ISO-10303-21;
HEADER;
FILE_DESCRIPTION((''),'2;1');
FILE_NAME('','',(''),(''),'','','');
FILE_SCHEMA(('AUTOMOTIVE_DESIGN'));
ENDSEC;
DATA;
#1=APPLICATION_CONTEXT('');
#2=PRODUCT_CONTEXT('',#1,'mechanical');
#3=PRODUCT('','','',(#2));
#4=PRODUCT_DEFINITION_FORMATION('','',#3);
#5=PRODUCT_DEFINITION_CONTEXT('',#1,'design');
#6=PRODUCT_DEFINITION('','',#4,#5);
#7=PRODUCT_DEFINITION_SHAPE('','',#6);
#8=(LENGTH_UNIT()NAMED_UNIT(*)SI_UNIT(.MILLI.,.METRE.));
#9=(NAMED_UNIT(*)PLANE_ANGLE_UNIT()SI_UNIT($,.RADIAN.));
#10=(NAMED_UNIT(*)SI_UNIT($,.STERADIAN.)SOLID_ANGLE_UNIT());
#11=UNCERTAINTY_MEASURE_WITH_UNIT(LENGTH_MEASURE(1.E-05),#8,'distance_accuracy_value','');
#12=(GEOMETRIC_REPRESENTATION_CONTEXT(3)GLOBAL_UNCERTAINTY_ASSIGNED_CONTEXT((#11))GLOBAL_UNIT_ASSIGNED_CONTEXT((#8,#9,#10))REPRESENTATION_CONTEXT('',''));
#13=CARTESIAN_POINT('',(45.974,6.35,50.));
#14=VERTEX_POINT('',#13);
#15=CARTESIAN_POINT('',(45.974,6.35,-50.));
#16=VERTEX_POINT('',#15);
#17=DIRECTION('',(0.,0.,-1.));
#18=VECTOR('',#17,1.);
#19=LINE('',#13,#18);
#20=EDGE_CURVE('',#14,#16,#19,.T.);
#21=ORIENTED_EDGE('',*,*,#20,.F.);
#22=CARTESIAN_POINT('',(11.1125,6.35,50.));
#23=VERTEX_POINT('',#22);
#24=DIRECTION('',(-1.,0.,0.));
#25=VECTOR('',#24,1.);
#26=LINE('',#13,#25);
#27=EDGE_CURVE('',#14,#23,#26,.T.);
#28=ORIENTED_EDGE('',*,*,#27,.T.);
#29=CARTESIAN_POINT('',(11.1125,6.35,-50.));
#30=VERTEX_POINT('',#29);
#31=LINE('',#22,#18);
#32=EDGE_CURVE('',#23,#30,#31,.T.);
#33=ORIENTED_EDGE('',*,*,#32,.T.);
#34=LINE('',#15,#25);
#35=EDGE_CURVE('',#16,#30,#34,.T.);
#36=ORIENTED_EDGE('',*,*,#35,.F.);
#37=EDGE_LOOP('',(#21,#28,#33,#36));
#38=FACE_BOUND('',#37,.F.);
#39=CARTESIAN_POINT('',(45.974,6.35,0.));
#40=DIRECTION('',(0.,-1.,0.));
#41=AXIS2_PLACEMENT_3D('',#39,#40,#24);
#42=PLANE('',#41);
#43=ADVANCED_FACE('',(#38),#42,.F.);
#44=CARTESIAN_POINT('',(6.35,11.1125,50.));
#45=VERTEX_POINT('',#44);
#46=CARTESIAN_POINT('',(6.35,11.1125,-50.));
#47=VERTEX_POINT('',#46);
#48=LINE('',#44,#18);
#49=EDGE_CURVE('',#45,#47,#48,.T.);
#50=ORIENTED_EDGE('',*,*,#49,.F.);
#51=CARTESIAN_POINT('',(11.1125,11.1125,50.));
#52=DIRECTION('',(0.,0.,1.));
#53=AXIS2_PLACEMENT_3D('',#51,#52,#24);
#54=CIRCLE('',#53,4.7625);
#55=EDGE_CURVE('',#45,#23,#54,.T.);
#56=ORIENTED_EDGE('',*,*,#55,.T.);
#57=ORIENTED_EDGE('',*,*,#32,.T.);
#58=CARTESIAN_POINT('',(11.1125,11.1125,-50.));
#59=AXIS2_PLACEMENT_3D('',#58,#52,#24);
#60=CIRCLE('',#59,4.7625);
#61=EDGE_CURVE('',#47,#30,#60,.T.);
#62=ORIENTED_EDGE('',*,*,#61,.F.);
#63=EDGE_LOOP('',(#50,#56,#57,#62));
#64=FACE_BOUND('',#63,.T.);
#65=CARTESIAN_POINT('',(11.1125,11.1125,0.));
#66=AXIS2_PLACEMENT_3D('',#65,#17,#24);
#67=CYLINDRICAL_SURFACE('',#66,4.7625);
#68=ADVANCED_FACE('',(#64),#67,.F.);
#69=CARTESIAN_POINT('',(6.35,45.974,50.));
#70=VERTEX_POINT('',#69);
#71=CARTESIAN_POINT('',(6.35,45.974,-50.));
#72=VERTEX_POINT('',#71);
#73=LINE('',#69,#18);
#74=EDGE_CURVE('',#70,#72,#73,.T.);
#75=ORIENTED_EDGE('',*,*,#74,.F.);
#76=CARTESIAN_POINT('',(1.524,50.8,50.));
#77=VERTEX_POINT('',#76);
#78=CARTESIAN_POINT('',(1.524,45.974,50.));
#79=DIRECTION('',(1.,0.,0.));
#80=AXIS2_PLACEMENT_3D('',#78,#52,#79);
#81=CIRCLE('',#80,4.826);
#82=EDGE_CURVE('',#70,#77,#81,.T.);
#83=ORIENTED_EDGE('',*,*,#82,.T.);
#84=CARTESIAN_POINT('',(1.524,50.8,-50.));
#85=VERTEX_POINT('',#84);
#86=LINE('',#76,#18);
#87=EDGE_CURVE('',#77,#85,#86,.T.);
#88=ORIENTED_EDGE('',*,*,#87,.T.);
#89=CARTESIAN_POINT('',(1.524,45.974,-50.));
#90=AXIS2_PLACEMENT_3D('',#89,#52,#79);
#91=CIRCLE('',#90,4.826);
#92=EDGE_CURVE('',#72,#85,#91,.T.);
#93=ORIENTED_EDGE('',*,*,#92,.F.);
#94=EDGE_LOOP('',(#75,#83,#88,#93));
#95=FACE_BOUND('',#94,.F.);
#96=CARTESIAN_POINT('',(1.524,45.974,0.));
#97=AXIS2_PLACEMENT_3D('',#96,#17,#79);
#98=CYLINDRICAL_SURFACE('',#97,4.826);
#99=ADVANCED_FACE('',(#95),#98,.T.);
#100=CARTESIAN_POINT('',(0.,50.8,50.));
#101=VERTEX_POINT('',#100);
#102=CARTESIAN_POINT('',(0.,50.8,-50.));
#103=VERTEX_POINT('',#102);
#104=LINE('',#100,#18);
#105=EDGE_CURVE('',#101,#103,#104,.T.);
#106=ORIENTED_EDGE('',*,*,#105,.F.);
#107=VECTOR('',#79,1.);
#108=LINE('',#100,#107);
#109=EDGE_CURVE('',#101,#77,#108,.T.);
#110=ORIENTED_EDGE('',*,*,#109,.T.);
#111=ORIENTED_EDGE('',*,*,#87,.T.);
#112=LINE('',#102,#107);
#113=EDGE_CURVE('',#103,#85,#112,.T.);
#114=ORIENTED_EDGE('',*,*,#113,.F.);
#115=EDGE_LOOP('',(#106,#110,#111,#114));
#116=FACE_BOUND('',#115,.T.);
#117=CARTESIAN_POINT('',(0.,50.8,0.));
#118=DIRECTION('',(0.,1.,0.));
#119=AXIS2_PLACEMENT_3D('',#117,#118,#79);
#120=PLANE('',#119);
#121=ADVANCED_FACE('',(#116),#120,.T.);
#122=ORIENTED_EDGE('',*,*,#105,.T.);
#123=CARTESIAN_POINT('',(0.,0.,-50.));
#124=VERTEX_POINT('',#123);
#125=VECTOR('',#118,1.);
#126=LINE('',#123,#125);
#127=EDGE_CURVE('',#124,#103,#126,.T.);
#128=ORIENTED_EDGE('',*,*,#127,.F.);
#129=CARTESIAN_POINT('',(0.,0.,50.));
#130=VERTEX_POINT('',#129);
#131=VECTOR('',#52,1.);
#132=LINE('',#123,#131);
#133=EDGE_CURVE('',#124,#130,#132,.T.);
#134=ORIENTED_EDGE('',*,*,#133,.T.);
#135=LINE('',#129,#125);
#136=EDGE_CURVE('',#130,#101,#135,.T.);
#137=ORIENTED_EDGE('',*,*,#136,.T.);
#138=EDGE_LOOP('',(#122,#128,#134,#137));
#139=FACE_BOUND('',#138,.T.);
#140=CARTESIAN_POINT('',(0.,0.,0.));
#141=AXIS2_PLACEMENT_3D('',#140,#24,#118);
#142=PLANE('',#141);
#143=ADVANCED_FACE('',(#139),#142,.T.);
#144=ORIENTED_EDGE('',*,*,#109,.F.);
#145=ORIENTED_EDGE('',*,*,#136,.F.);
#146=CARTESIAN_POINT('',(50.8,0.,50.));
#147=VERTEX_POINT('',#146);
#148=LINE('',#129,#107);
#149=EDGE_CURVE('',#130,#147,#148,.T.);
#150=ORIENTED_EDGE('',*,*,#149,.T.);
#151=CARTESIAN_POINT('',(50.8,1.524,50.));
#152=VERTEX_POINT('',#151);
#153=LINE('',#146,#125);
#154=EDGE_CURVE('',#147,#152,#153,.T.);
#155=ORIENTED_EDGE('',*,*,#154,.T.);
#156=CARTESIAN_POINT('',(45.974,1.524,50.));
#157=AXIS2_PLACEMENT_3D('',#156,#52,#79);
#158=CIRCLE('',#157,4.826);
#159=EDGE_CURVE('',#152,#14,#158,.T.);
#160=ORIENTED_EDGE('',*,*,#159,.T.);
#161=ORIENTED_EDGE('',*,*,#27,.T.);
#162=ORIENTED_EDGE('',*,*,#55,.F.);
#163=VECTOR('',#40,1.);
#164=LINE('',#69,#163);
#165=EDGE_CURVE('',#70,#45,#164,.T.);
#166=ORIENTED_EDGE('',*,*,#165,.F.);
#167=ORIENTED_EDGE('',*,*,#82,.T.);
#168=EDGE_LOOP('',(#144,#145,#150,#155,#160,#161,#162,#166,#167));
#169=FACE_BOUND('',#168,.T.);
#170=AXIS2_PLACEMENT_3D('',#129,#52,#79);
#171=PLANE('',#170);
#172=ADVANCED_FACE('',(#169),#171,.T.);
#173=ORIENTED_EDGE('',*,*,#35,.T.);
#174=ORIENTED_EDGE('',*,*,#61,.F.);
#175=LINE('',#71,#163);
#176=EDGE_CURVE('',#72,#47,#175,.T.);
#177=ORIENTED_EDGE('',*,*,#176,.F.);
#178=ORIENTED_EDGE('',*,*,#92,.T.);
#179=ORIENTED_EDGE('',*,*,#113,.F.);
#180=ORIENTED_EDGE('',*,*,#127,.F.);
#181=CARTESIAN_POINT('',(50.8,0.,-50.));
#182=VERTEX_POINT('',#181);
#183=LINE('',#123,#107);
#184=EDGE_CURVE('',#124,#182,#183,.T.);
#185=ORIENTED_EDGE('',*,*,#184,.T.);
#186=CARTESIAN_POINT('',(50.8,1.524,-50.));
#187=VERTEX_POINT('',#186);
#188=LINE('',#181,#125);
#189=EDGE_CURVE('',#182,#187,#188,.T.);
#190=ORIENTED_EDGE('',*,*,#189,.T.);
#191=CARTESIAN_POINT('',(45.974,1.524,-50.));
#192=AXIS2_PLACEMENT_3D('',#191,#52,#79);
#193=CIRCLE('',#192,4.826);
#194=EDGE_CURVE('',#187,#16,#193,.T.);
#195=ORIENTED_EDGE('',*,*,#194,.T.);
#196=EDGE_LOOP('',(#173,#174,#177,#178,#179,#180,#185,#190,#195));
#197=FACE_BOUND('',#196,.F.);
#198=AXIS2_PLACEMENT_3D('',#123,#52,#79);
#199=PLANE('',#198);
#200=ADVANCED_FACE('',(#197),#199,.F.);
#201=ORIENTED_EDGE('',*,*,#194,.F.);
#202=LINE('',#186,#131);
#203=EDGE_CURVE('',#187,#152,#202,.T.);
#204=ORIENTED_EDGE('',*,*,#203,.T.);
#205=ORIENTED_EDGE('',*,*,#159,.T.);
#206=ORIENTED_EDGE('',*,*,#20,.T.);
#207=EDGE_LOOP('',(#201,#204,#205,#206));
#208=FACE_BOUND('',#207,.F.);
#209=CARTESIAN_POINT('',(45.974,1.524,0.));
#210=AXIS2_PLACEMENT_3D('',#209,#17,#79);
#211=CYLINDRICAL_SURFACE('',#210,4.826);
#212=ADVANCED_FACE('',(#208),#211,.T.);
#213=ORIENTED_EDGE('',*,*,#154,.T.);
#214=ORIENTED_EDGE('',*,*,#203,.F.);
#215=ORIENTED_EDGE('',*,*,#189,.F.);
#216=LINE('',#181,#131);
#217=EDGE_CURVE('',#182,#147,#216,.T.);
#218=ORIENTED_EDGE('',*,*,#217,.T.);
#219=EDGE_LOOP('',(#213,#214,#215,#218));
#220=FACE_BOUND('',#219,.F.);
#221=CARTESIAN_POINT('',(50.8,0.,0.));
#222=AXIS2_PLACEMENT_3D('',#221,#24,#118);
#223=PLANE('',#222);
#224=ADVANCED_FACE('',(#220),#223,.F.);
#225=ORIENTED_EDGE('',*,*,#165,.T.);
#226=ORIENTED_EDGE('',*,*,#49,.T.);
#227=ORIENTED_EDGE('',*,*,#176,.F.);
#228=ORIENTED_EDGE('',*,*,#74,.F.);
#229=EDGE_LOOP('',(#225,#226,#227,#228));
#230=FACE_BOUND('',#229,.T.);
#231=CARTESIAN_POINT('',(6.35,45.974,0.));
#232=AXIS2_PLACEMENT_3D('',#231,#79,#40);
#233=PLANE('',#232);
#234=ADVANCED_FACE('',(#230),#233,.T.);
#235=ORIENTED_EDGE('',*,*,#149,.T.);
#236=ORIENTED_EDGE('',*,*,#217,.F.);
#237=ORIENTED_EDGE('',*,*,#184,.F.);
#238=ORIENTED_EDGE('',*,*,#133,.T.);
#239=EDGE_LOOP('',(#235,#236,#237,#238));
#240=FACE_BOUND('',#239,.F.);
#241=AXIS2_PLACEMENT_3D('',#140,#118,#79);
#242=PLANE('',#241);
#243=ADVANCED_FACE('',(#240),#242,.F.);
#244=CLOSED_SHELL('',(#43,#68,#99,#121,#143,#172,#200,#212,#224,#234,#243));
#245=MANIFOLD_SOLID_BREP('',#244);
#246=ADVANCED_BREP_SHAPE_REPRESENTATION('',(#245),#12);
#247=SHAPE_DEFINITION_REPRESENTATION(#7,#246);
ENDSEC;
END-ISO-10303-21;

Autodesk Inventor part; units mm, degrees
ref_plane "YZ Plane" through (0, 0, 0) normal (1, 0, 0) x (0, 1, 0)
ref_plane "XZ Plane" through (0, 0, 0) normal (0, 1, 0) x (-1, 0, 0)
ref_plane "XY Plane" through (0, 0, 0) normal (0, 0, 1) x (1, 0, 0)
sketch "Sketch1" plane through (0, 0, 0) normal (0, 0, 1) x (1, 0, 0)
  line L0 (0, 0) -> (0, 50.8)
  line L1 (0, 50.8) -> (1.524, 50.8)
  line L2 (6.35, 45.974) -> (6.35, 11.1125)
  line L3 (0, 0) -> (50.8, 0)
  line L4 (50.8, 0) -> (50.8, 1.524)
  line L5 (45.974, 6.35) -> (11.1125, 6.35)
  arc A0 (6.35, 11.1125) -> (11.1125, 6.35) centre (11.1125, 11.1125) ccw
  arc A1 (6.35, 45.974) -> (1.524, 50.8) centre (1.524, 45.974) ccw
  arc A2 (50.8, 1.524) -> (45.974, 6.35) centre (45.974, 1.524) ccw
  dimension "thickness" = 6.35
  dimension "d3" = 6.35
  dimension "LegSize" = 50.8
  dimension "d5" = 50.8
  dimension "radius" = 4.7625
  dimension "d7" = 4.826
  dimension "d8" = 4.826
extrude "2\" X 2\" X 1/4\"" add sketch "Sketch1" along normal mid plane 100
equation "\"d3\" = thickness"
equation "\"d5\" = LegSize"
properties part number "ANGLE IRON, 2 X 2 X 0.25 THK" material "Angle Iron"
